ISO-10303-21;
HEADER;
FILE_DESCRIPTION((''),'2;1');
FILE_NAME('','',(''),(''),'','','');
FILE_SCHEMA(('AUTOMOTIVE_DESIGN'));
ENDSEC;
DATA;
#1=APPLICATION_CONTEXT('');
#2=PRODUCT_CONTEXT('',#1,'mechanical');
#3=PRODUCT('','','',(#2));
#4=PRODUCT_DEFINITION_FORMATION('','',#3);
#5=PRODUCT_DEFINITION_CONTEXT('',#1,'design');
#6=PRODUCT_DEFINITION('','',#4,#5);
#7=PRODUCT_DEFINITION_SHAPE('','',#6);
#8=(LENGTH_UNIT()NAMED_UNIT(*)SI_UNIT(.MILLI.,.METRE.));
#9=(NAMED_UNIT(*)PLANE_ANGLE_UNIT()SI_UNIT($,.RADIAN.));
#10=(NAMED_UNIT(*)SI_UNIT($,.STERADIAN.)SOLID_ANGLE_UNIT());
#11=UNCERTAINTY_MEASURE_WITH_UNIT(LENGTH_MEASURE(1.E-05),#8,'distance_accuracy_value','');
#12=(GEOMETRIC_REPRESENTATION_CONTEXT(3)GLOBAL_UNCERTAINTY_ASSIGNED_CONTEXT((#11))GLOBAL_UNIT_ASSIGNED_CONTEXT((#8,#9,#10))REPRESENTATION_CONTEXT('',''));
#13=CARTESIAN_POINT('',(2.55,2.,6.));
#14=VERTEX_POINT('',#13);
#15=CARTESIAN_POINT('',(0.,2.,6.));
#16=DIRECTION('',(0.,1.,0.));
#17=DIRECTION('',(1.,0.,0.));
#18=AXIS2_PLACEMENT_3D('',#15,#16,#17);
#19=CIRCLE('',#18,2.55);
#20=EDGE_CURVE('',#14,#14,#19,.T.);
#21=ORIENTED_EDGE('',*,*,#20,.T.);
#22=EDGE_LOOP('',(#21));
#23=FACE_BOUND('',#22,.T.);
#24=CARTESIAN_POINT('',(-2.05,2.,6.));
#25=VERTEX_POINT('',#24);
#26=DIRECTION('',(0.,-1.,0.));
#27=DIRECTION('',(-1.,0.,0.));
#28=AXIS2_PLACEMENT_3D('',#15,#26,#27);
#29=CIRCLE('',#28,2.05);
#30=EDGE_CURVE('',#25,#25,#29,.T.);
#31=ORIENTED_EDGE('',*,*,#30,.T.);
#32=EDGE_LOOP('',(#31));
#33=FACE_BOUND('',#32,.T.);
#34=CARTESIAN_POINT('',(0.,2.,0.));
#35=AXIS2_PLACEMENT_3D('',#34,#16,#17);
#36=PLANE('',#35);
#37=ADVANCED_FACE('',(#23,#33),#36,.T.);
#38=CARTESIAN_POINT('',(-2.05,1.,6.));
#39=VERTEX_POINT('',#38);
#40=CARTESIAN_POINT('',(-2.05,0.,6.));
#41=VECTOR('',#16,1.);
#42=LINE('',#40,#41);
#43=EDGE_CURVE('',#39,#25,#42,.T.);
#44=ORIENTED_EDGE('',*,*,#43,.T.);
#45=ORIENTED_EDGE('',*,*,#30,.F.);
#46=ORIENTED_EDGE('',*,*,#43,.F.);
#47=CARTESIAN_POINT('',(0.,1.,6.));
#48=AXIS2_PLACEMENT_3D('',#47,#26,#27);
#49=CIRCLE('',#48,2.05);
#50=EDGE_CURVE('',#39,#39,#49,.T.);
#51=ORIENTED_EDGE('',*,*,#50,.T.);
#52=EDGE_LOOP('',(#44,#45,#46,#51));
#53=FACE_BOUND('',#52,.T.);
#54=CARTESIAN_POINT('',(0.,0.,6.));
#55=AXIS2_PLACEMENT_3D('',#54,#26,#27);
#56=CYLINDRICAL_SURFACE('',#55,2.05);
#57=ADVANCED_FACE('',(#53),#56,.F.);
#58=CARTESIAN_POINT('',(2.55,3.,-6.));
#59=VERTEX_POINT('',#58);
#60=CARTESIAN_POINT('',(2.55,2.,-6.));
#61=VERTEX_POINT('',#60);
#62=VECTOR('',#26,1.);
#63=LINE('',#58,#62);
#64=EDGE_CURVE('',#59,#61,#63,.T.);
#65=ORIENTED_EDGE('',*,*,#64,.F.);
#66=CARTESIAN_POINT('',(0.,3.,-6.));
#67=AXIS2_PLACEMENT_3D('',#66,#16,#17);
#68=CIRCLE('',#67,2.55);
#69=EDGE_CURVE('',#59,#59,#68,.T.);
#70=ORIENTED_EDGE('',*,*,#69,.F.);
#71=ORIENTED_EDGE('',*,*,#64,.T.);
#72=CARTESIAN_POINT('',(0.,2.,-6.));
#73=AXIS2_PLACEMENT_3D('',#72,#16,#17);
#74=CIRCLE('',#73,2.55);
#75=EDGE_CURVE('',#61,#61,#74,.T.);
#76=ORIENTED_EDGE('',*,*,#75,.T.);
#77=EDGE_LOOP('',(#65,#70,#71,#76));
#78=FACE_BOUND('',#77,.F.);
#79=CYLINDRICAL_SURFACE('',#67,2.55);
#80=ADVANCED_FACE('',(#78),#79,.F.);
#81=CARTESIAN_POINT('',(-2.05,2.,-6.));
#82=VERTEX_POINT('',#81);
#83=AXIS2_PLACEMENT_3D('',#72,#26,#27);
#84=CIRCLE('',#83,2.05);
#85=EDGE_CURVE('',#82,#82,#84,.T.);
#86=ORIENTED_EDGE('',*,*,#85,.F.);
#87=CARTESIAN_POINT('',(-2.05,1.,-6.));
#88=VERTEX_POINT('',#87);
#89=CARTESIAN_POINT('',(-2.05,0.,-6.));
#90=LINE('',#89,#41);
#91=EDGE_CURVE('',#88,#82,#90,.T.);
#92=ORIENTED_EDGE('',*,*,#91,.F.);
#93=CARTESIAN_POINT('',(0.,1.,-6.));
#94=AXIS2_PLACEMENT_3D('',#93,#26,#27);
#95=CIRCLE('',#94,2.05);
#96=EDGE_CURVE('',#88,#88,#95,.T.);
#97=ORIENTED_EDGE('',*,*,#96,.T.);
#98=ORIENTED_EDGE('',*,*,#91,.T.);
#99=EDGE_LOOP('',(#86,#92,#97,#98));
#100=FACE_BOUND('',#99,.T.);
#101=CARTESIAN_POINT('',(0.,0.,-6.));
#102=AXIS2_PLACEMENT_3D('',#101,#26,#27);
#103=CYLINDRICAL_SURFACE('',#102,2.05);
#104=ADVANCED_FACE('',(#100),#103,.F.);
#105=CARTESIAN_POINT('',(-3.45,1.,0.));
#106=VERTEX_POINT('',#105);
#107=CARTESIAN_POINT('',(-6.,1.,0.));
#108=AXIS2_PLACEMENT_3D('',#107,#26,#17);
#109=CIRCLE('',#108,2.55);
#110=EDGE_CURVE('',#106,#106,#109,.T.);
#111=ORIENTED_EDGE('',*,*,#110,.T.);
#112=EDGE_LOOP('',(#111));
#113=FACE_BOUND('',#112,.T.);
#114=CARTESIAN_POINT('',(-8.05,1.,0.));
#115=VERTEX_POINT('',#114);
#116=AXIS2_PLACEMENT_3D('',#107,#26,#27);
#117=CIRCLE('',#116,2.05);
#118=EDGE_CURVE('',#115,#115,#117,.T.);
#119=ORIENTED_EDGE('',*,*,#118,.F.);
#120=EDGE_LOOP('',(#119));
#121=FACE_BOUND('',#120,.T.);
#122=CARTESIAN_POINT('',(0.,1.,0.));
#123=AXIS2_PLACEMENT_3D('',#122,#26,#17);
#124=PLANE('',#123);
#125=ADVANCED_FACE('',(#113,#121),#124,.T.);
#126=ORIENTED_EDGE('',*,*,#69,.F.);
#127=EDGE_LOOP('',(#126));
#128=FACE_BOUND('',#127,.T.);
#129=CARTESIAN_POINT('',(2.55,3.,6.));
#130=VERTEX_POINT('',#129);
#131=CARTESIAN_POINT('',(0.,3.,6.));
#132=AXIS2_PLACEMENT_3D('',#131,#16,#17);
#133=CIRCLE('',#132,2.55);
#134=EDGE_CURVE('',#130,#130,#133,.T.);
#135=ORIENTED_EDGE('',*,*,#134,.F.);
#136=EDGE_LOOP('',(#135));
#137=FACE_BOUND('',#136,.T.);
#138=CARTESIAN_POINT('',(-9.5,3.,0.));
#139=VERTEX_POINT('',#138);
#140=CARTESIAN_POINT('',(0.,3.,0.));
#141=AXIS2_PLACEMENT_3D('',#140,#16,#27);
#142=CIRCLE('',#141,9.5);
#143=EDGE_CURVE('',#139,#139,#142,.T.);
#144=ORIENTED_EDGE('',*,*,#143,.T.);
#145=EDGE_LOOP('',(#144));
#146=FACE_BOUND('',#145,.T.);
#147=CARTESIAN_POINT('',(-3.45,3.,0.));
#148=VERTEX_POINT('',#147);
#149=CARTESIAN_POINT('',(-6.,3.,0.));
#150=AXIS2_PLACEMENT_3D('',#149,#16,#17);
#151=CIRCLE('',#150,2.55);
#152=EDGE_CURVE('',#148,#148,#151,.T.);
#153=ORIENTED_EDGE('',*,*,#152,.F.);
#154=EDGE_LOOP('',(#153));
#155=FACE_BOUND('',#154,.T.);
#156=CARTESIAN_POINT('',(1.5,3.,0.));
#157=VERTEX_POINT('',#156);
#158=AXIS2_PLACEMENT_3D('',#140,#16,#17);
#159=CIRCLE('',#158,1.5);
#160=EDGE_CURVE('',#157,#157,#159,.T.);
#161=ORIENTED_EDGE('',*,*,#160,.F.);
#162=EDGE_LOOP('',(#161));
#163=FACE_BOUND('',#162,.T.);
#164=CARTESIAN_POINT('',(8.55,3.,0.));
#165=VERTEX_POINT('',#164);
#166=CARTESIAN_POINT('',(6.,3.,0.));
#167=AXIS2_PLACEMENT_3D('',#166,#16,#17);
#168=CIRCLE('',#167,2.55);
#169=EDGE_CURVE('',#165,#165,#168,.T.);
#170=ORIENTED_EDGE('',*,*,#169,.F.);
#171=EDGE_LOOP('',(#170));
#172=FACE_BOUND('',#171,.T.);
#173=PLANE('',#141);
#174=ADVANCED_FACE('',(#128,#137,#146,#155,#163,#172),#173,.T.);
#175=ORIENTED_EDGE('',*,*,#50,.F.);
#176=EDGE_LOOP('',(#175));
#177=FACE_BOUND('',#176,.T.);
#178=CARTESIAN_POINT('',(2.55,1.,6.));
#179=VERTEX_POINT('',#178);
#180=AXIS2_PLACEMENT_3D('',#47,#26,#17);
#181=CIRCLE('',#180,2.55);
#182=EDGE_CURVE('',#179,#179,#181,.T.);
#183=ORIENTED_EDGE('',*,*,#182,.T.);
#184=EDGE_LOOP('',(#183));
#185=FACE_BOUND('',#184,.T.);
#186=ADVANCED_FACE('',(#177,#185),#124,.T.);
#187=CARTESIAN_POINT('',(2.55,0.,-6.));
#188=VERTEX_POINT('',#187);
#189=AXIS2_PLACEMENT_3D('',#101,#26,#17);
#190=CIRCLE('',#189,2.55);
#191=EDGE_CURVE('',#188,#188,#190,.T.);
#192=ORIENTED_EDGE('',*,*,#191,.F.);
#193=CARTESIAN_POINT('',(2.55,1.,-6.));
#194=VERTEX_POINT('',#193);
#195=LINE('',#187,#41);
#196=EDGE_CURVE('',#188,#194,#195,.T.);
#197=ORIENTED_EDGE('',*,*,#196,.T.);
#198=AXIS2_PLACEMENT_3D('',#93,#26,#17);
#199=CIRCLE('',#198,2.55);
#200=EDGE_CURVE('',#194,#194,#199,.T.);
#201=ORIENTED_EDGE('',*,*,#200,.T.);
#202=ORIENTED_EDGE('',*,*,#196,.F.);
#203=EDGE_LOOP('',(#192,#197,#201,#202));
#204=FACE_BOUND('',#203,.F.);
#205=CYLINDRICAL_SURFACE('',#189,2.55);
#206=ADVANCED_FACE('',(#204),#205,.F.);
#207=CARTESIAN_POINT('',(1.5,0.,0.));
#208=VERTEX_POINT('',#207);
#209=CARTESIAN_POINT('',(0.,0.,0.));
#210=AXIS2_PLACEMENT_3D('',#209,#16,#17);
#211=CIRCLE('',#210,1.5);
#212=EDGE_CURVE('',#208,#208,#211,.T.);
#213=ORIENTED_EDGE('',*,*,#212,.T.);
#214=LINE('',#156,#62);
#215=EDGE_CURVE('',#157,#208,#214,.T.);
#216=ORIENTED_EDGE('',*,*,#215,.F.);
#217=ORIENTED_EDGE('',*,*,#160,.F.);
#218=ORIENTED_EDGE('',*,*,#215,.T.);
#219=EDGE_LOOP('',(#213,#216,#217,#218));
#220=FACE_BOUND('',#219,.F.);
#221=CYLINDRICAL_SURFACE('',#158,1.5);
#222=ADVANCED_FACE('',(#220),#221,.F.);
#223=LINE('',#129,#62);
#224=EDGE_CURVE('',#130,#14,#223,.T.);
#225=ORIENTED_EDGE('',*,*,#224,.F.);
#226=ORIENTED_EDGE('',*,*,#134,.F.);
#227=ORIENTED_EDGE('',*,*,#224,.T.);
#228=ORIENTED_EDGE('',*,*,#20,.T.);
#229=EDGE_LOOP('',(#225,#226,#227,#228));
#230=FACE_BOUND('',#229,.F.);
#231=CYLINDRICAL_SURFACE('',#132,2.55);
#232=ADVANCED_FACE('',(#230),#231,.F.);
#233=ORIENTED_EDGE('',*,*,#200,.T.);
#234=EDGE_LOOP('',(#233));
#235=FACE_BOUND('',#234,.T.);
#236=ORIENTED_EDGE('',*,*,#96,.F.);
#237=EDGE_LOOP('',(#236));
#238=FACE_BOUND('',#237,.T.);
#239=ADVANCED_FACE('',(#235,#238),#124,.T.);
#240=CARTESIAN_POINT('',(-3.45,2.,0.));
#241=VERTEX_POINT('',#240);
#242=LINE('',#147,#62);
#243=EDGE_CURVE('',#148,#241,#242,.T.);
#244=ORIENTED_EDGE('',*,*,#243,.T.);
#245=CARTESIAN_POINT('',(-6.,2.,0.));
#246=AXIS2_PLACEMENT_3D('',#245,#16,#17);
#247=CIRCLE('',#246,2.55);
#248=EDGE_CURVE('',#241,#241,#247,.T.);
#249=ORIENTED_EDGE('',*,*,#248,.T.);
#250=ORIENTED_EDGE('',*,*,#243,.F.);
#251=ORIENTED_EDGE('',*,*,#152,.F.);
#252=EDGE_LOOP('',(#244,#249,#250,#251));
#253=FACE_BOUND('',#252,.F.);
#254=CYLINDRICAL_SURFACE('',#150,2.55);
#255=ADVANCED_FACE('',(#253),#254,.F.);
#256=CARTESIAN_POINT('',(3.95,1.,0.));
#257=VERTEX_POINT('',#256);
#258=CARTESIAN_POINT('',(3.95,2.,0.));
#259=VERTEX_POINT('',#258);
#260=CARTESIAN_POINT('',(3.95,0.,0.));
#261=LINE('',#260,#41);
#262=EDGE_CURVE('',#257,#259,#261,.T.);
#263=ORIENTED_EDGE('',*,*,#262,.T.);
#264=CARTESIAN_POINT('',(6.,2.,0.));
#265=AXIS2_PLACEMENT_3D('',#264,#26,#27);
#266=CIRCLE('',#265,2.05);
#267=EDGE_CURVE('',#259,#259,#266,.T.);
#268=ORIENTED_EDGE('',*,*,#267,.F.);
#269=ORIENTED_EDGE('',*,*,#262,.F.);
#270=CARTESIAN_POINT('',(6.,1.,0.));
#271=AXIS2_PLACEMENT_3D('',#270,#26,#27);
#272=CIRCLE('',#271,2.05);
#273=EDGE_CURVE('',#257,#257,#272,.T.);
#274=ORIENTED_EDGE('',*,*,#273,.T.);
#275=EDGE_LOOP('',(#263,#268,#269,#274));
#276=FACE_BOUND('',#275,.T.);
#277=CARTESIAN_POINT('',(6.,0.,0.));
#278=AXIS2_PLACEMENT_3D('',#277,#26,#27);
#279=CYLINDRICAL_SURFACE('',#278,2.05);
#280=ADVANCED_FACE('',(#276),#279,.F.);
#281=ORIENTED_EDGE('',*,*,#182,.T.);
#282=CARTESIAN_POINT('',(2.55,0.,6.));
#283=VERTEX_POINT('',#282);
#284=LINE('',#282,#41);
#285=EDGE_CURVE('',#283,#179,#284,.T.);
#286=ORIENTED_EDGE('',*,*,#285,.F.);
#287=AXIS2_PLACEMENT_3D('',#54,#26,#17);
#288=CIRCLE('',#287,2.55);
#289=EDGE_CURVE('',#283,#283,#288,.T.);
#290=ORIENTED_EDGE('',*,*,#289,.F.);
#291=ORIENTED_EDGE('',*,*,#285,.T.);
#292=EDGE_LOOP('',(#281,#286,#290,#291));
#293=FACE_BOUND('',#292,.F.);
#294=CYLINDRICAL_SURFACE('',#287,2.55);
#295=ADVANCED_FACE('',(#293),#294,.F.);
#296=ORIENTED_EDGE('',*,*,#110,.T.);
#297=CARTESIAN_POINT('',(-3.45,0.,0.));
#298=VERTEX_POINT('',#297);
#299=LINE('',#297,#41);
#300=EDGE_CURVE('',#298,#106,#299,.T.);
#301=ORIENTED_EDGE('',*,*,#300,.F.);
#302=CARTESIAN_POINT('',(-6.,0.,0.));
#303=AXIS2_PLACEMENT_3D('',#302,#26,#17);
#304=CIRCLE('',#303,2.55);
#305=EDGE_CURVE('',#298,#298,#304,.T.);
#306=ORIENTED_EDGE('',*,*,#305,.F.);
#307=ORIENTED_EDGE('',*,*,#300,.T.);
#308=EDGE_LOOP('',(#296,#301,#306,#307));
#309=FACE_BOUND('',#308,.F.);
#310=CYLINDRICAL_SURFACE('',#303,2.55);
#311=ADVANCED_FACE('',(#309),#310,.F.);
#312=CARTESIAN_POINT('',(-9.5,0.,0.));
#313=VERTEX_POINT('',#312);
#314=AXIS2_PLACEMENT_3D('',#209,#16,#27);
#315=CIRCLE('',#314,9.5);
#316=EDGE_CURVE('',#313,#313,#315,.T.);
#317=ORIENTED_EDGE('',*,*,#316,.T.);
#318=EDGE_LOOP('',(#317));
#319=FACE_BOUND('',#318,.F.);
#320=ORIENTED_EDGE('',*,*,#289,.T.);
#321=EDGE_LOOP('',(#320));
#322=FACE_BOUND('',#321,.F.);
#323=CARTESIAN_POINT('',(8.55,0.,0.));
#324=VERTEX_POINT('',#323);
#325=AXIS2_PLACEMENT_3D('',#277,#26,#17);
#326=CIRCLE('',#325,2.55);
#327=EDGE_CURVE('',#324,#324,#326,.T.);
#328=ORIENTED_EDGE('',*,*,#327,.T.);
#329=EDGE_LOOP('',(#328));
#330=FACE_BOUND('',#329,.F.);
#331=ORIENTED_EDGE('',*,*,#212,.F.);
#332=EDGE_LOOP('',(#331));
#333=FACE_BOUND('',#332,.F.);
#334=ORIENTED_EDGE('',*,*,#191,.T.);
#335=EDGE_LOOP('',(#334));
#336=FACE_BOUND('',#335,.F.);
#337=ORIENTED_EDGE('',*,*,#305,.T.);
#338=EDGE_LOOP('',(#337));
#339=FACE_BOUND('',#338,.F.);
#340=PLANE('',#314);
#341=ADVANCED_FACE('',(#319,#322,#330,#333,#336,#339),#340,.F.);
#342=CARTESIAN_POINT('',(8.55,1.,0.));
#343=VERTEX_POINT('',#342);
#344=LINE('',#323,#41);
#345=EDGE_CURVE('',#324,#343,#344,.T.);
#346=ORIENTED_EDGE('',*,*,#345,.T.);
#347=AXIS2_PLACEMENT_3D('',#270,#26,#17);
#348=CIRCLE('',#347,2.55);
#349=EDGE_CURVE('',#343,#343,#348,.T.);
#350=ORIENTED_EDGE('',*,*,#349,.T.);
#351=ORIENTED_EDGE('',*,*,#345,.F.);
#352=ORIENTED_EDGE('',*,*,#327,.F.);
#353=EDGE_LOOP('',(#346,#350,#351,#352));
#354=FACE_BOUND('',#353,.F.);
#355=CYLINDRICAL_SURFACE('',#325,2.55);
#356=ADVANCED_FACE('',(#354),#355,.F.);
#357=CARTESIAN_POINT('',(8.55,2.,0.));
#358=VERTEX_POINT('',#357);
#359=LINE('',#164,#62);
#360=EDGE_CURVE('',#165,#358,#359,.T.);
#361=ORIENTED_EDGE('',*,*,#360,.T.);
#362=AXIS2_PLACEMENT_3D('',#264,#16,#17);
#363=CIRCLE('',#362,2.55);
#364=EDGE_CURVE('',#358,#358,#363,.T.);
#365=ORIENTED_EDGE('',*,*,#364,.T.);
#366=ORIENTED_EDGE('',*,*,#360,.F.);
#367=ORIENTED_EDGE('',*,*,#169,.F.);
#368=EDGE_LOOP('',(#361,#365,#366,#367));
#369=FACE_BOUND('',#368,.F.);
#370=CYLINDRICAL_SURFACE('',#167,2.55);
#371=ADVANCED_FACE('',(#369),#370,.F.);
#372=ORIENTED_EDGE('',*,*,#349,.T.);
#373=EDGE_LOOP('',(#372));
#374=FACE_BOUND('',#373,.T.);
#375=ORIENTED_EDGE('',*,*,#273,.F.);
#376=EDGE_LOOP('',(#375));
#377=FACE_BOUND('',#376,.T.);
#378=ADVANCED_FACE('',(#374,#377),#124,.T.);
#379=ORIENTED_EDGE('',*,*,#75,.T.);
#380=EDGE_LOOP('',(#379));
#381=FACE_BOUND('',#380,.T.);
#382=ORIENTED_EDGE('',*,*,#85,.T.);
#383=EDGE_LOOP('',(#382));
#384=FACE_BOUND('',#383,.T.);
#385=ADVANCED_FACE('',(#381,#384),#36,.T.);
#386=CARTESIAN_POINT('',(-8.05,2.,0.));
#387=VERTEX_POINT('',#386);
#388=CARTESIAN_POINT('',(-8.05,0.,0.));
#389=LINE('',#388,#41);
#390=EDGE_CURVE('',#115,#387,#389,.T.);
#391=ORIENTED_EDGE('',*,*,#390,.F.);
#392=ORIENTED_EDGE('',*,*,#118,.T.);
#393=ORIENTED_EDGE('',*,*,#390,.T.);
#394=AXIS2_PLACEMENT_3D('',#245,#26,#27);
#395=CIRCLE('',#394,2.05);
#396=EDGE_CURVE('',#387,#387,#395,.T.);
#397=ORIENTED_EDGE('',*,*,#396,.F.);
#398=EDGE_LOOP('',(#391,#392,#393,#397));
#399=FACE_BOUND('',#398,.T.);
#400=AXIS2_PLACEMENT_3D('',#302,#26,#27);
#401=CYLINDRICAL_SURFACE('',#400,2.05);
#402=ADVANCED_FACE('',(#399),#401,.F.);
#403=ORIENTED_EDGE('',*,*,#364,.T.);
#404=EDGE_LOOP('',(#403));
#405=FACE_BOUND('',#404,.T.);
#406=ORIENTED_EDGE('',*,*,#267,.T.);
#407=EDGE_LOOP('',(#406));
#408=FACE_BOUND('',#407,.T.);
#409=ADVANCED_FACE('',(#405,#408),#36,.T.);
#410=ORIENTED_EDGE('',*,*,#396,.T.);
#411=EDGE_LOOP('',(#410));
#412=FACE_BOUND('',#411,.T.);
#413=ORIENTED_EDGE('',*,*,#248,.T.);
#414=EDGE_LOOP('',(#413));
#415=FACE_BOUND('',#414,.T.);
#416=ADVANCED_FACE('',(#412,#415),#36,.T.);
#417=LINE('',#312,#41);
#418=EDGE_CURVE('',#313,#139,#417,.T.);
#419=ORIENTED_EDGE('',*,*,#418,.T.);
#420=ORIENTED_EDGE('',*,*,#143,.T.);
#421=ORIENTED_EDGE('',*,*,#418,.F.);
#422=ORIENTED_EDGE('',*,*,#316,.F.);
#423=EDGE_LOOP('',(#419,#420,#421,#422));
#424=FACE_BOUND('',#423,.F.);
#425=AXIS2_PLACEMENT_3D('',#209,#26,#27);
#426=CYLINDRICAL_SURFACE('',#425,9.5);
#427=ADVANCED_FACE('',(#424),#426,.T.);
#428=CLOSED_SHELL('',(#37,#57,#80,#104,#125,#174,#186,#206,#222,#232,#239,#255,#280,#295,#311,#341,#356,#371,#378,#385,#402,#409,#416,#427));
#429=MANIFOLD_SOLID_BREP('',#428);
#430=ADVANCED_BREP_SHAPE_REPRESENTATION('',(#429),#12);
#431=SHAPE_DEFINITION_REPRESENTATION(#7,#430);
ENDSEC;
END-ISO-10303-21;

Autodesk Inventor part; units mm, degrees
ref_plane "YZ Plane" through (0, 0, 0) normal (1, 0, 0) x (0, 1, 0)
ref_plane "XZ Plane" through (0, 0, 0) normal (0, 1, 0) x (-1, 0, 0)
ref_plane "XY Plane" through (0, 0, 0) normal (0, 0, 1) x (1, 0, 0)
sketch "Esquisse1" plane through (0, 0, 0) normal (0, 1, 0) x (-1, 0, 0)
  circle A0 centre (0, 0) radius 9.5
  circle A1 centre (0, 0) radius 2.05 construction
  line L0 (0, 9.5) -> (0, -9.5) construction
  line L1 (-9.5, 0) -> (9.5, 0) construction
  circle A2 centre (0, -6) radius 2.05
  circle A3 centre (0, 6) radius 2.05
  circle A4 centre (0, 0) radius 2.05 construction
  circle A5 centre (6, 0) radius 2.05
  circle A6 centre (-6, 0) radius 2.05
  circle A7 centre (0, 0) radius 2.05 construction
  dimension "d0" = 19
  dimension "d1" = 4.1
  dimension "d4" = 6
  dimension "d7" = 6
  dimension "d12" = 6
  dimension "d15" = 6
extrude "Extrusion1" add sketch "Esquisse1" along normal blind 3
sketch "Esquisse2" plane through (0, 3, 0) normal (0, 1, 0) x (1, 0, 0)
  circle A0 centre (0, 0) radius 9.5 construction
  circle A1 centre (0, 0) radius 1.5
  dimension "d20" = 3
extrude "Extrusion2" cut sketch "Esquisse2" against normal through all
sketch "Sketch3" plane through (0, 0, 0) normal (0, -1, 0) x (1, 0, 0)
  circle A0 centre (-6, 0) radius 2.05 projected
  circle A1 centre (0, 6) radius 2.05 projected
  circle A2 centre (6, 0) radius 2.05 projected
  circle A3 centre (0, -6) radius 2.05 projected
  circle A4 centre (0, -6) radius 2.55
  circle A5 centre (6, 0) radius 2.55
  circle A6 centre (-6, 0) radius 2.55
  circle A7 centre (0, 6) radius 2.55
  point P0 (0, 0)
  dimension "d23" = 5.1
  dimension "d24" = 5.1
  dimension "d25" = 5.1
  dimension "d26" = 5.1
extrude "Extrusion3" cut sketch "Sketch3" against normal blind 1
sketch "Sketch4" plane through (0, 3, 0) normal (0, 1, 0) x (1, 0, 0)
  circle A0 centre (0, -6) radius 2.55 projected
  circle A1 centre (0, -6) radius 2.55
  circle A2 centre (-6, 0) radius 2.55 projected
  circle A3 centre (-6, 0) radius 2.55
  circle A4 centre (0, 6) radius 2.55 projected
  circle A5 centre (0, 6) radius 2.55
  circle A6 centre (6, 0) radius 2.55 projected
  circle A7 centre (6, 0) radius 2.55
  point P0 (0, 0)
extrude "Extrusion4" cut sketch "Sketch4" against normal blind 1
properties part number "XL320_HubToOllo"
